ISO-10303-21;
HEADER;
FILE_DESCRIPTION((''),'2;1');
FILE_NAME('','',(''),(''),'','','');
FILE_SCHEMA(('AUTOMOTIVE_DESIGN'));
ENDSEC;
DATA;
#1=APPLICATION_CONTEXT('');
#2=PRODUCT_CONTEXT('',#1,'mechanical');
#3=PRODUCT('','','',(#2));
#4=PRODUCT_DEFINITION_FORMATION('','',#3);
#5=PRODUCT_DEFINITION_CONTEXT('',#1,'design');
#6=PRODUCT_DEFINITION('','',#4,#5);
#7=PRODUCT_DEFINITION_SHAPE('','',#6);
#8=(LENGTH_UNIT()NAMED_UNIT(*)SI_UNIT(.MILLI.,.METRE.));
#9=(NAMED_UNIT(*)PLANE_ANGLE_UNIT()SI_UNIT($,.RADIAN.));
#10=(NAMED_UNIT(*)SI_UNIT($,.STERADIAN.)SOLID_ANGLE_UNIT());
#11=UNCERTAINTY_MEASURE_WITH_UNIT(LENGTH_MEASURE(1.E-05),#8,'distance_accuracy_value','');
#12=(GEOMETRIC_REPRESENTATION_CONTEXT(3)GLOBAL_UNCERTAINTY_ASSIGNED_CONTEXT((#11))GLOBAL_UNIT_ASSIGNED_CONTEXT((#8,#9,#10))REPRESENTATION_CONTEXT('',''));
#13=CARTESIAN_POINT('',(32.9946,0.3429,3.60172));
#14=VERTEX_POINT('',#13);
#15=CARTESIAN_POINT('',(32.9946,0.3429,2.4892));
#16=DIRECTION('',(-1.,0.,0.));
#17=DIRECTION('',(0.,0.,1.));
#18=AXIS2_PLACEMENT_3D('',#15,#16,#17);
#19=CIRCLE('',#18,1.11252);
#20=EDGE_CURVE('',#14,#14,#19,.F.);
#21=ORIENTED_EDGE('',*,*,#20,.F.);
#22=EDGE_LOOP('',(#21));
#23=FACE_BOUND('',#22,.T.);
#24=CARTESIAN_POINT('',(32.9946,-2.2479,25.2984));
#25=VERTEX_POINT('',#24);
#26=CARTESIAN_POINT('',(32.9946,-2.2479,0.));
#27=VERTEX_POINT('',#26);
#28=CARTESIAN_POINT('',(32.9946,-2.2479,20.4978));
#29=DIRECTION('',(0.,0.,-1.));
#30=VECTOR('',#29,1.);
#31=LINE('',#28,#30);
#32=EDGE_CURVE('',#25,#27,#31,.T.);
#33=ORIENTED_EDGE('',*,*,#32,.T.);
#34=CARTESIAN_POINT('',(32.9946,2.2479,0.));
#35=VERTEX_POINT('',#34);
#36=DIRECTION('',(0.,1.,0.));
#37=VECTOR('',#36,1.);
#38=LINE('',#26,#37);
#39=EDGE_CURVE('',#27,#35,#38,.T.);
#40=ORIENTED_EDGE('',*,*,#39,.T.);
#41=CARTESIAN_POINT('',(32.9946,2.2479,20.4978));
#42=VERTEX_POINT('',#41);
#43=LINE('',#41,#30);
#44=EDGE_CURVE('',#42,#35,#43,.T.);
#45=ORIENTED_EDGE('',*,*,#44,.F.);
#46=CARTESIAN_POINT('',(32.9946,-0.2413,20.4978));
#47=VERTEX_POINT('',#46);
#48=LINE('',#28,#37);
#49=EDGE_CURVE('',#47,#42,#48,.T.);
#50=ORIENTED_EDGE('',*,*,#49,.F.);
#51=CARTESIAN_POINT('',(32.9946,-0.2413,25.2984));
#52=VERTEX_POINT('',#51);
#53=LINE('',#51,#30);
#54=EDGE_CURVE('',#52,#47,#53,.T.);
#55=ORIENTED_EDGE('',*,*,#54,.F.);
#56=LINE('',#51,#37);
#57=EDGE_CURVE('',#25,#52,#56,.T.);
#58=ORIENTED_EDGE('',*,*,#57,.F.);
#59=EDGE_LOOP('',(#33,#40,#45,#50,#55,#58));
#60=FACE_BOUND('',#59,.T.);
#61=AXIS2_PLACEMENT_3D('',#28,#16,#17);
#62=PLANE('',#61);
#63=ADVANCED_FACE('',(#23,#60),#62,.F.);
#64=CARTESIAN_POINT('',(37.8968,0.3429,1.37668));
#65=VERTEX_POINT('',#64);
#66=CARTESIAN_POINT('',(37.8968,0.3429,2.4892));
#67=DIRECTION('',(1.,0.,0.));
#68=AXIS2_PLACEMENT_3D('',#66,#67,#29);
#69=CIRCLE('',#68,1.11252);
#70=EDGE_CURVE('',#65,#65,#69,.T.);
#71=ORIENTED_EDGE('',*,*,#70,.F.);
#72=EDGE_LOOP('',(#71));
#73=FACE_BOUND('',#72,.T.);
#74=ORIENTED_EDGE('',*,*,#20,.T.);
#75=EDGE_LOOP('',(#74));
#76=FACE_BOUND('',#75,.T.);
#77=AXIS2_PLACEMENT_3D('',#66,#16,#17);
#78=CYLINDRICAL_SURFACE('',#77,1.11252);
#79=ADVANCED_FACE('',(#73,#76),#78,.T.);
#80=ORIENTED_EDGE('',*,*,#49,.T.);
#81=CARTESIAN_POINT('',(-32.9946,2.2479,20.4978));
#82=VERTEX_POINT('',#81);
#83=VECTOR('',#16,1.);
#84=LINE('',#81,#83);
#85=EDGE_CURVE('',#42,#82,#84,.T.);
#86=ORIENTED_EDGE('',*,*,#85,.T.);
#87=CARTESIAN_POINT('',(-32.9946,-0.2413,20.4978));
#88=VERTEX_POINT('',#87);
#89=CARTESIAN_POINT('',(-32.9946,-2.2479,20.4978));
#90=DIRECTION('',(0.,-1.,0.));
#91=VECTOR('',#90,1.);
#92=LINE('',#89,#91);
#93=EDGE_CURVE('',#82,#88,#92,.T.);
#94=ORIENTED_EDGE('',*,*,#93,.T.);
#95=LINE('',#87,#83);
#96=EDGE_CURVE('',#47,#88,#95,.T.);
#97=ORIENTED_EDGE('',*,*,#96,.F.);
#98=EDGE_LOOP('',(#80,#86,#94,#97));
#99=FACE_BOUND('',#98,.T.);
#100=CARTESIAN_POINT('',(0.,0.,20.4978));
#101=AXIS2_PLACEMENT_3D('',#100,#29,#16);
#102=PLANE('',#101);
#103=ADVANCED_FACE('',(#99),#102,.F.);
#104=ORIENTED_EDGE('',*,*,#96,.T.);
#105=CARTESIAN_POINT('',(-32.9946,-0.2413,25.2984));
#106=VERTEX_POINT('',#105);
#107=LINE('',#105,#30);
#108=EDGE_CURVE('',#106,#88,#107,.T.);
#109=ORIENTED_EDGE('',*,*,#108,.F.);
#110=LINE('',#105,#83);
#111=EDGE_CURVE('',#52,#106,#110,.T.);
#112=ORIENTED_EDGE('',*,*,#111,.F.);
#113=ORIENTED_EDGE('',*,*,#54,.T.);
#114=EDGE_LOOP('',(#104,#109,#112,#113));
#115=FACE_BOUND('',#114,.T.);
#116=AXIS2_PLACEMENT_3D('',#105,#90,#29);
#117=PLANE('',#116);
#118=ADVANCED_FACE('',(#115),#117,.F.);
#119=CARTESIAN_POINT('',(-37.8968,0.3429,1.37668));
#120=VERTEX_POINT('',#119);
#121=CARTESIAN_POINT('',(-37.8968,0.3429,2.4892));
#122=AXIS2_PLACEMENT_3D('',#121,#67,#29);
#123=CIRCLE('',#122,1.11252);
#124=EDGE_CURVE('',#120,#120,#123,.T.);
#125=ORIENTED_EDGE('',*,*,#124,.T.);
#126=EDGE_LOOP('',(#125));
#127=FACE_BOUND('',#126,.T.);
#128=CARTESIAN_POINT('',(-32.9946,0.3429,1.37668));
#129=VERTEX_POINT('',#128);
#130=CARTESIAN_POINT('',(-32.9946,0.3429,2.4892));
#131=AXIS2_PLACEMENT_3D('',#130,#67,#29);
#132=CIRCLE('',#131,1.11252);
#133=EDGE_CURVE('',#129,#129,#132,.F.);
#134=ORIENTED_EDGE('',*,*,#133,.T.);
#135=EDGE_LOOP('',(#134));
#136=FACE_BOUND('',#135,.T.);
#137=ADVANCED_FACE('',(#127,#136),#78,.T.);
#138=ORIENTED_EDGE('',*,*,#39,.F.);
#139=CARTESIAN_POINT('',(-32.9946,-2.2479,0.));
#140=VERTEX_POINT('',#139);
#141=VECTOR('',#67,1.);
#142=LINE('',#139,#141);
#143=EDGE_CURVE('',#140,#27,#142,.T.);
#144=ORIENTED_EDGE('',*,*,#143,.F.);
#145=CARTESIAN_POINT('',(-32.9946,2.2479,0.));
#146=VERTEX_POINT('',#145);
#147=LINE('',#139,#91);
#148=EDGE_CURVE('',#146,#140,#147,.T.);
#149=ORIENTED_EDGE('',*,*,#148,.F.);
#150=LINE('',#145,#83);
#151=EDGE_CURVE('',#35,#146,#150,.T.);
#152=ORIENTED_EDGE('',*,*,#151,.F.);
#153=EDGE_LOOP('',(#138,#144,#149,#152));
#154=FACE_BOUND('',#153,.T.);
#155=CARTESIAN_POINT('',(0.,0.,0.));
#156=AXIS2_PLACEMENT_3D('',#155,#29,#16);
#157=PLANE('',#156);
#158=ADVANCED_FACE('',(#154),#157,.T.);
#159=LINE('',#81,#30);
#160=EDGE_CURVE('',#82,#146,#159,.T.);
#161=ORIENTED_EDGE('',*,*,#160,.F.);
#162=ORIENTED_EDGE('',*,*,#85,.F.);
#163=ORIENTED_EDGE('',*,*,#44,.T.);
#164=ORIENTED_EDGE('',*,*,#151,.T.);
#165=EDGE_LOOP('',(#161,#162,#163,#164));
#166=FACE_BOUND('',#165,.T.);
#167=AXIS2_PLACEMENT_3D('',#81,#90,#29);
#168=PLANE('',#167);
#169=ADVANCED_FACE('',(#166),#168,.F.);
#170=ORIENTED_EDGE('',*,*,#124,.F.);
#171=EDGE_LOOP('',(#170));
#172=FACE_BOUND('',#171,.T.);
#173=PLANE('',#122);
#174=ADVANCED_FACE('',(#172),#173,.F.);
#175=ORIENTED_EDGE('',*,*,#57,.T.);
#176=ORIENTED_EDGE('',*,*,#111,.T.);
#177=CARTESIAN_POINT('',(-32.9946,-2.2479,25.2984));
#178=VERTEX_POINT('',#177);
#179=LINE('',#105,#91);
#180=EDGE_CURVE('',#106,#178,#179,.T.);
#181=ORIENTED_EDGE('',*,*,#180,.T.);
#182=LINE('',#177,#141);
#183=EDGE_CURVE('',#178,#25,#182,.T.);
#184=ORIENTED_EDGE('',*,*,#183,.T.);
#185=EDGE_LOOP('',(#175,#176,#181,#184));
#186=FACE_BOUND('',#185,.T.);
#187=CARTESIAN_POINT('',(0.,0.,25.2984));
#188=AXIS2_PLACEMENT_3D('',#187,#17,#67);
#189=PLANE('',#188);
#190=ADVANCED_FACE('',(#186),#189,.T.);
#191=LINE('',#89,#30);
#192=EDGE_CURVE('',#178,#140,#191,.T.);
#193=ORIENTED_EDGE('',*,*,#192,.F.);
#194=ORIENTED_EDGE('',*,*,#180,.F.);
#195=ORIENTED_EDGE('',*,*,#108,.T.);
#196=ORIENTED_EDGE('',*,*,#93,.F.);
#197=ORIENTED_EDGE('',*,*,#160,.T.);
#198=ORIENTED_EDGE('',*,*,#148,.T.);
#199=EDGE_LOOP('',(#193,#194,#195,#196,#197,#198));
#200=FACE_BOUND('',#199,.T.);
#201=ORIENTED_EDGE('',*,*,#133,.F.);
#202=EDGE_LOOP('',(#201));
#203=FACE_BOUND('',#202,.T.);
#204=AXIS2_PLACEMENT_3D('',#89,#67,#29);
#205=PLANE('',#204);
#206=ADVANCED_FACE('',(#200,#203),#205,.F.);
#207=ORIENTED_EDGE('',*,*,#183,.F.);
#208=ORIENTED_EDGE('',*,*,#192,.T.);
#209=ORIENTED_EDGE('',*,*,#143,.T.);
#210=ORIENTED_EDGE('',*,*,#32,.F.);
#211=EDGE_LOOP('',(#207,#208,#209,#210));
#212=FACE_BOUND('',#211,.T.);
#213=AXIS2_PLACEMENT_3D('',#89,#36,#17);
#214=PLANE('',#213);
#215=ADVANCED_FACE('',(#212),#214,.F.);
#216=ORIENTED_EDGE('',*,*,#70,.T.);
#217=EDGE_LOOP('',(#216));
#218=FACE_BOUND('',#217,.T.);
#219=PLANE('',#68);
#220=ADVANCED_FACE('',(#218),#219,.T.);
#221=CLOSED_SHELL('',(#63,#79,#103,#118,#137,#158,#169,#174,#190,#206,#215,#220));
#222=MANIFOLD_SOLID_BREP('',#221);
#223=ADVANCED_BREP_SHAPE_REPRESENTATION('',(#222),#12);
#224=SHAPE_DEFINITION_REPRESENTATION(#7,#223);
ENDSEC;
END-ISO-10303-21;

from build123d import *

# Parameters (mm, degrees)
SKETCH1_W           = 65.9892
SKETCH1_H           = 4.4958
BOSS_EXTRUDE1_DEPTH = 20.4978
SKETCH4_W           = 65.9892
SKETCH4_H           = 2.0066
BOSS_EXTRUDE2_DEPTH = 4.8006
SKETCH5_R           = 1.11252
BOSS_EXTRUDE3_DEPTH = 37.8968


with BuildPart() as part:
    # Sketch1 → Boss-Extrude1 (new body)
    with BuildSketch(Plane.XY):
        Rectangle(SKETCH1_W, SKETCH1_H)
    extrude(amount=BOSS_EXTRUDE1_DEPTH)

    # Sketch4 → Boss-Extrude2 (add)
    with BuildSketch(Plane.XY.offset(20.4978)):
        with Locations((0, -1.2446)):
            Rectangle(SKETCH4_W, SKETCH4_H)
    extrude(amount=BOSS_EXTRUDE2_DEPTH)

    # Sketch5 → Boss-Extrude3 (add, symmetric)
    with BuildSketch(Plane(origin=(0, 0, 0), x_dir=(0, 0, -1), z_dir=(1, 0, 0))):
        with Locations((-2.4892, 0.3429)):
            Circle(SKETCH5_R)
    extrude(amount=BOSS_EXTRUDE3_DEPTH, both=True)


solid = part.part
